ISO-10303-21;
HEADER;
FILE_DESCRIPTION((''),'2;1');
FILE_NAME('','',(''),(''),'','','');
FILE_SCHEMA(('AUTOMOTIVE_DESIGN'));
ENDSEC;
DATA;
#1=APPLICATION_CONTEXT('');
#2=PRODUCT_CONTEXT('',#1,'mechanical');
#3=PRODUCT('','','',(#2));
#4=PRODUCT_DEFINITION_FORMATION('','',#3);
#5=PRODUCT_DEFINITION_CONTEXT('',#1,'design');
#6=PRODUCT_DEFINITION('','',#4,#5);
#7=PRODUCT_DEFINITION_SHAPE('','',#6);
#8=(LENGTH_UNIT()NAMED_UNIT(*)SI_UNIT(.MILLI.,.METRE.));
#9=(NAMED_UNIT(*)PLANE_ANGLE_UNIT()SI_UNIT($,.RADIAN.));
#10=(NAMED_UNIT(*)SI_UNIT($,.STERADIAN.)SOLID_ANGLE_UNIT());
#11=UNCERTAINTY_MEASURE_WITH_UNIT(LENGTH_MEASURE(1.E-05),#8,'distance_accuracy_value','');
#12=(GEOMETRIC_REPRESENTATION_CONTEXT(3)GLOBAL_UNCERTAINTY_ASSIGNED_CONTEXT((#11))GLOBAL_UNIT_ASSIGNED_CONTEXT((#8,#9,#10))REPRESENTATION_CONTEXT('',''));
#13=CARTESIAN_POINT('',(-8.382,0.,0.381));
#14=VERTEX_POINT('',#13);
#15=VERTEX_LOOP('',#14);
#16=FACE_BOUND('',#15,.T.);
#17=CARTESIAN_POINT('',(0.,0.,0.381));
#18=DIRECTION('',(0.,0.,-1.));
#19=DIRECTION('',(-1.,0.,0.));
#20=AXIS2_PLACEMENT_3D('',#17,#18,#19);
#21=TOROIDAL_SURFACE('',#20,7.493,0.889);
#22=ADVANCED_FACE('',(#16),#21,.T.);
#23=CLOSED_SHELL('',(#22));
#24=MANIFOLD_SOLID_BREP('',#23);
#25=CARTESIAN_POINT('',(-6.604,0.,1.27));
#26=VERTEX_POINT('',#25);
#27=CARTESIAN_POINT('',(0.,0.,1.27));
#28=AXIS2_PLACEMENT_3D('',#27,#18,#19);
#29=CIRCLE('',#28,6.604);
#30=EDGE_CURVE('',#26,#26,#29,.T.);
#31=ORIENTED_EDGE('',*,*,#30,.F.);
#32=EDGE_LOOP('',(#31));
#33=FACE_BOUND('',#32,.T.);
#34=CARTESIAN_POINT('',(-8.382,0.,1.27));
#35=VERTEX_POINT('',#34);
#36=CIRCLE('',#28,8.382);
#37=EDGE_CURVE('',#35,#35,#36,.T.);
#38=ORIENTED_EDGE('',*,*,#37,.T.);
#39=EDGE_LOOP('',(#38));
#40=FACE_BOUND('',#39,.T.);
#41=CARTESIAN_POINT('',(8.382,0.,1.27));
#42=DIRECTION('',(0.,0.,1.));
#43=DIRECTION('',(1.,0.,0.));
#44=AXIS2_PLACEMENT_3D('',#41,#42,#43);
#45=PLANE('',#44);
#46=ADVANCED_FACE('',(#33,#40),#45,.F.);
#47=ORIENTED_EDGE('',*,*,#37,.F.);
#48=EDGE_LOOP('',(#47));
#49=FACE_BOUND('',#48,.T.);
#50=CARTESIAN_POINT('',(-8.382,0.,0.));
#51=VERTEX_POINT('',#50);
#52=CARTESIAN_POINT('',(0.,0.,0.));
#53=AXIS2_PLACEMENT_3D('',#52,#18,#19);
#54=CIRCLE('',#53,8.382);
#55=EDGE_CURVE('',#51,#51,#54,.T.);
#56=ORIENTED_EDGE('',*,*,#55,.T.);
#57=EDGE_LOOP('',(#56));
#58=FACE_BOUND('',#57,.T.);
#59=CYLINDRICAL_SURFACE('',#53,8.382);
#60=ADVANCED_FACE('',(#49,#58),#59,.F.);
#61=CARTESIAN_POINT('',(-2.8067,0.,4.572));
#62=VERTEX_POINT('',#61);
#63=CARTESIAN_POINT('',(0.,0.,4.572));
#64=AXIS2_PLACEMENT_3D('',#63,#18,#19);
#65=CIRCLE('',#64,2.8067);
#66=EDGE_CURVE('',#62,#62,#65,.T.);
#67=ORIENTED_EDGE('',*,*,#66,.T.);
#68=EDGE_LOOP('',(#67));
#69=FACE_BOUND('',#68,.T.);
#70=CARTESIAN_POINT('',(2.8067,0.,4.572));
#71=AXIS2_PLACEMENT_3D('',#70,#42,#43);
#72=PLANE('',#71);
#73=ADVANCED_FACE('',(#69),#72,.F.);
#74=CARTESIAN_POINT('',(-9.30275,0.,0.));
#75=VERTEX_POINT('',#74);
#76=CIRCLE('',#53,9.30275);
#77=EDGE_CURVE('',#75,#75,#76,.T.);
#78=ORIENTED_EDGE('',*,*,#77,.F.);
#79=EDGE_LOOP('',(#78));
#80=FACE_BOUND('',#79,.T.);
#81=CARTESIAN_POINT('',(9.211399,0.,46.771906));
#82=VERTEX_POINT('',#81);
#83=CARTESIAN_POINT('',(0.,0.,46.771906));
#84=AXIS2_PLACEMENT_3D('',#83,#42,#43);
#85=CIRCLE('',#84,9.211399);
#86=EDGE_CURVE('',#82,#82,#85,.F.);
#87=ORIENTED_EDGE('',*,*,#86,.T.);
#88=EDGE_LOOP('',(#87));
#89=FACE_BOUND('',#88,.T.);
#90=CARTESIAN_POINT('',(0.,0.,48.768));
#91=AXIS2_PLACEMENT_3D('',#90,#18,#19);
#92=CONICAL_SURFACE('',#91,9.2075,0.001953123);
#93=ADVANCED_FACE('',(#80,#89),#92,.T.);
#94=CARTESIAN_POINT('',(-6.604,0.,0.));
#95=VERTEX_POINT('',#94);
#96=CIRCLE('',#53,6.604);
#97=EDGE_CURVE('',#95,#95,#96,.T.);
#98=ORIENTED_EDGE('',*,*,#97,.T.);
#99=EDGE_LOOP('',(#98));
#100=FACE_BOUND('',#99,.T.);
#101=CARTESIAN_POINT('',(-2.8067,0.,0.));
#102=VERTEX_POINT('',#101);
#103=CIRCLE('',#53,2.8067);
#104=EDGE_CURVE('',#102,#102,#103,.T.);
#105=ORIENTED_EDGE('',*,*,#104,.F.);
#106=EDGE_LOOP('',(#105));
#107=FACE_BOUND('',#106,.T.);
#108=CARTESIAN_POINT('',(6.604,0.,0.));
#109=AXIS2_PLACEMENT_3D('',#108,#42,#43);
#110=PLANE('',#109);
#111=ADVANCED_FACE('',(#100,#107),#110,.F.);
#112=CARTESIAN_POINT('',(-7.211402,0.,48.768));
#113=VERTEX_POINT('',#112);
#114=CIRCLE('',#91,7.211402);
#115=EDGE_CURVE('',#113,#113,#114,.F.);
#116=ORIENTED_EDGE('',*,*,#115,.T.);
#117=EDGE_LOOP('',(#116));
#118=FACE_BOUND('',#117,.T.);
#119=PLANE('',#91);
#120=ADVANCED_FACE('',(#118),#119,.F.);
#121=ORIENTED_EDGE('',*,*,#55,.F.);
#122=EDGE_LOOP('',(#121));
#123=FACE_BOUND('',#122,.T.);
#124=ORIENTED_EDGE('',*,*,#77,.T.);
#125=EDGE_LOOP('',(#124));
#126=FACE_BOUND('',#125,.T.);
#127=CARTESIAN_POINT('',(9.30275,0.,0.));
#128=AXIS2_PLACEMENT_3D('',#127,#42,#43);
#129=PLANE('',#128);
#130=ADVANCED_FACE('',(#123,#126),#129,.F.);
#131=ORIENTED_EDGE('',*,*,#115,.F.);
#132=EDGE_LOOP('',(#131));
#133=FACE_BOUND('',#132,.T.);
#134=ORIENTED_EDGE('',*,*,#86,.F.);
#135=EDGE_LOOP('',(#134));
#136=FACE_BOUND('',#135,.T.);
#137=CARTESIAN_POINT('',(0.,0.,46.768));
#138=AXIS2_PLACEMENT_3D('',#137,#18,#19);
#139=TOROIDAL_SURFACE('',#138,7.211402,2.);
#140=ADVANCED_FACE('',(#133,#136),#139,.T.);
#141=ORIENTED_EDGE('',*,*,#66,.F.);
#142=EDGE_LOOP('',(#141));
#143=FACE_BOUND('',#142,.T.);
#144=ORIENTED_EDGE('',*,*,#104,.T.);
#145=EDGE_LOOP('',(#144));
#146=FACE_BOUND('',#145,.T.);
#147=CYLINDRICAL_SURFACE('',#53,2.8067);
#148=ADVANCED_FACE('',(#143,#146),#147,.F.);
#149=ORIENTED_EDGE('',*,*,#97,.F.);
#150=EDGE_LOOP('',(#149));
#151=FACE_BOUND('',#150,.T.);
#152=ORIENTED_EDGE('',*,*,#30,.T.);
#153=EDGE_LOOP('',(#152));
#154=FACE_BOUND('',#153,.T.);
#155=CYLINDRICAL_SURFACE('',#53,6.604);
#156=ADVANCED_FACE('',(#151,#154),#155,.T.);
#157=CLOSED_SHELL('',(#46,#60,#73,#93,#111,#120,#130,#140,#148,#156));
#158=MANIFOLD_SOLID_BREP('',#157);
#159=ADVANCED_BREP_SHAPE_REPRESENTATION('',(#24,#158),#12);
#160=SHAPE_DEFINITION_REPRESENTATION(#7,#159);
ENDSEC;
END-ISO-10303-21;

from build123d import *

# Parameters (mm, degrees)
SKETCH2_R = 0.889
FILLET1_R = 2


with BuildPart() as part:
    # Sketch1 → Revolve1 (revolve)
    with BuildSketch(Plane(origin=(0, 0, 0), x_dir=(1, 0, 0), z_dir=(0, 1, 0)), mode=Mode.PRIVATE) as revolve1_sk:
        Polygon((0, -48.768), (9.2075, -48.768), (9.30275, 0), (8.382, 0), (8.382, -1.27), (6.604, -1.27), (6.604, 0), (2.8067, 0), (2.8067, -4.572), (0, -4.572), align=None)
    revolve(revolve1_sk.sketch.rotate(Axis((0, 0, 0), (0, 0, 1)), 180), axis=Axis((0, 0, 0), (0, 0, 1)))

    # Fillet1
    fillet1_edges = [part.edges().sort_by_distance(p)[0] for p in [
        (9.2075, 0, 48.768),
    ]]
    fillet(fillet1_edges, radius=FILLET1_R)


with BuildPart() as body_2:
    # Sketch2 → Revolve2 (revolve)
    with BuildSketch(Plane(origin=(0, 0, 0), x_dir=(0, 0, -1), z_dir=(1, 0, 0)), mode=Mode.PRIVATE) as revolve2_sk:
        with Locations((-0.381, 7.493)):
            Circle(SKETCH2_R)
    revolve(revolve2_sk.sketch.rotate(Axis((0, 0, 0), (0, 0, 1)), 90), axis=Axis((0, 0, 0), (0, 0, 1)))


solid = Compound([part.part, body_2.part])
